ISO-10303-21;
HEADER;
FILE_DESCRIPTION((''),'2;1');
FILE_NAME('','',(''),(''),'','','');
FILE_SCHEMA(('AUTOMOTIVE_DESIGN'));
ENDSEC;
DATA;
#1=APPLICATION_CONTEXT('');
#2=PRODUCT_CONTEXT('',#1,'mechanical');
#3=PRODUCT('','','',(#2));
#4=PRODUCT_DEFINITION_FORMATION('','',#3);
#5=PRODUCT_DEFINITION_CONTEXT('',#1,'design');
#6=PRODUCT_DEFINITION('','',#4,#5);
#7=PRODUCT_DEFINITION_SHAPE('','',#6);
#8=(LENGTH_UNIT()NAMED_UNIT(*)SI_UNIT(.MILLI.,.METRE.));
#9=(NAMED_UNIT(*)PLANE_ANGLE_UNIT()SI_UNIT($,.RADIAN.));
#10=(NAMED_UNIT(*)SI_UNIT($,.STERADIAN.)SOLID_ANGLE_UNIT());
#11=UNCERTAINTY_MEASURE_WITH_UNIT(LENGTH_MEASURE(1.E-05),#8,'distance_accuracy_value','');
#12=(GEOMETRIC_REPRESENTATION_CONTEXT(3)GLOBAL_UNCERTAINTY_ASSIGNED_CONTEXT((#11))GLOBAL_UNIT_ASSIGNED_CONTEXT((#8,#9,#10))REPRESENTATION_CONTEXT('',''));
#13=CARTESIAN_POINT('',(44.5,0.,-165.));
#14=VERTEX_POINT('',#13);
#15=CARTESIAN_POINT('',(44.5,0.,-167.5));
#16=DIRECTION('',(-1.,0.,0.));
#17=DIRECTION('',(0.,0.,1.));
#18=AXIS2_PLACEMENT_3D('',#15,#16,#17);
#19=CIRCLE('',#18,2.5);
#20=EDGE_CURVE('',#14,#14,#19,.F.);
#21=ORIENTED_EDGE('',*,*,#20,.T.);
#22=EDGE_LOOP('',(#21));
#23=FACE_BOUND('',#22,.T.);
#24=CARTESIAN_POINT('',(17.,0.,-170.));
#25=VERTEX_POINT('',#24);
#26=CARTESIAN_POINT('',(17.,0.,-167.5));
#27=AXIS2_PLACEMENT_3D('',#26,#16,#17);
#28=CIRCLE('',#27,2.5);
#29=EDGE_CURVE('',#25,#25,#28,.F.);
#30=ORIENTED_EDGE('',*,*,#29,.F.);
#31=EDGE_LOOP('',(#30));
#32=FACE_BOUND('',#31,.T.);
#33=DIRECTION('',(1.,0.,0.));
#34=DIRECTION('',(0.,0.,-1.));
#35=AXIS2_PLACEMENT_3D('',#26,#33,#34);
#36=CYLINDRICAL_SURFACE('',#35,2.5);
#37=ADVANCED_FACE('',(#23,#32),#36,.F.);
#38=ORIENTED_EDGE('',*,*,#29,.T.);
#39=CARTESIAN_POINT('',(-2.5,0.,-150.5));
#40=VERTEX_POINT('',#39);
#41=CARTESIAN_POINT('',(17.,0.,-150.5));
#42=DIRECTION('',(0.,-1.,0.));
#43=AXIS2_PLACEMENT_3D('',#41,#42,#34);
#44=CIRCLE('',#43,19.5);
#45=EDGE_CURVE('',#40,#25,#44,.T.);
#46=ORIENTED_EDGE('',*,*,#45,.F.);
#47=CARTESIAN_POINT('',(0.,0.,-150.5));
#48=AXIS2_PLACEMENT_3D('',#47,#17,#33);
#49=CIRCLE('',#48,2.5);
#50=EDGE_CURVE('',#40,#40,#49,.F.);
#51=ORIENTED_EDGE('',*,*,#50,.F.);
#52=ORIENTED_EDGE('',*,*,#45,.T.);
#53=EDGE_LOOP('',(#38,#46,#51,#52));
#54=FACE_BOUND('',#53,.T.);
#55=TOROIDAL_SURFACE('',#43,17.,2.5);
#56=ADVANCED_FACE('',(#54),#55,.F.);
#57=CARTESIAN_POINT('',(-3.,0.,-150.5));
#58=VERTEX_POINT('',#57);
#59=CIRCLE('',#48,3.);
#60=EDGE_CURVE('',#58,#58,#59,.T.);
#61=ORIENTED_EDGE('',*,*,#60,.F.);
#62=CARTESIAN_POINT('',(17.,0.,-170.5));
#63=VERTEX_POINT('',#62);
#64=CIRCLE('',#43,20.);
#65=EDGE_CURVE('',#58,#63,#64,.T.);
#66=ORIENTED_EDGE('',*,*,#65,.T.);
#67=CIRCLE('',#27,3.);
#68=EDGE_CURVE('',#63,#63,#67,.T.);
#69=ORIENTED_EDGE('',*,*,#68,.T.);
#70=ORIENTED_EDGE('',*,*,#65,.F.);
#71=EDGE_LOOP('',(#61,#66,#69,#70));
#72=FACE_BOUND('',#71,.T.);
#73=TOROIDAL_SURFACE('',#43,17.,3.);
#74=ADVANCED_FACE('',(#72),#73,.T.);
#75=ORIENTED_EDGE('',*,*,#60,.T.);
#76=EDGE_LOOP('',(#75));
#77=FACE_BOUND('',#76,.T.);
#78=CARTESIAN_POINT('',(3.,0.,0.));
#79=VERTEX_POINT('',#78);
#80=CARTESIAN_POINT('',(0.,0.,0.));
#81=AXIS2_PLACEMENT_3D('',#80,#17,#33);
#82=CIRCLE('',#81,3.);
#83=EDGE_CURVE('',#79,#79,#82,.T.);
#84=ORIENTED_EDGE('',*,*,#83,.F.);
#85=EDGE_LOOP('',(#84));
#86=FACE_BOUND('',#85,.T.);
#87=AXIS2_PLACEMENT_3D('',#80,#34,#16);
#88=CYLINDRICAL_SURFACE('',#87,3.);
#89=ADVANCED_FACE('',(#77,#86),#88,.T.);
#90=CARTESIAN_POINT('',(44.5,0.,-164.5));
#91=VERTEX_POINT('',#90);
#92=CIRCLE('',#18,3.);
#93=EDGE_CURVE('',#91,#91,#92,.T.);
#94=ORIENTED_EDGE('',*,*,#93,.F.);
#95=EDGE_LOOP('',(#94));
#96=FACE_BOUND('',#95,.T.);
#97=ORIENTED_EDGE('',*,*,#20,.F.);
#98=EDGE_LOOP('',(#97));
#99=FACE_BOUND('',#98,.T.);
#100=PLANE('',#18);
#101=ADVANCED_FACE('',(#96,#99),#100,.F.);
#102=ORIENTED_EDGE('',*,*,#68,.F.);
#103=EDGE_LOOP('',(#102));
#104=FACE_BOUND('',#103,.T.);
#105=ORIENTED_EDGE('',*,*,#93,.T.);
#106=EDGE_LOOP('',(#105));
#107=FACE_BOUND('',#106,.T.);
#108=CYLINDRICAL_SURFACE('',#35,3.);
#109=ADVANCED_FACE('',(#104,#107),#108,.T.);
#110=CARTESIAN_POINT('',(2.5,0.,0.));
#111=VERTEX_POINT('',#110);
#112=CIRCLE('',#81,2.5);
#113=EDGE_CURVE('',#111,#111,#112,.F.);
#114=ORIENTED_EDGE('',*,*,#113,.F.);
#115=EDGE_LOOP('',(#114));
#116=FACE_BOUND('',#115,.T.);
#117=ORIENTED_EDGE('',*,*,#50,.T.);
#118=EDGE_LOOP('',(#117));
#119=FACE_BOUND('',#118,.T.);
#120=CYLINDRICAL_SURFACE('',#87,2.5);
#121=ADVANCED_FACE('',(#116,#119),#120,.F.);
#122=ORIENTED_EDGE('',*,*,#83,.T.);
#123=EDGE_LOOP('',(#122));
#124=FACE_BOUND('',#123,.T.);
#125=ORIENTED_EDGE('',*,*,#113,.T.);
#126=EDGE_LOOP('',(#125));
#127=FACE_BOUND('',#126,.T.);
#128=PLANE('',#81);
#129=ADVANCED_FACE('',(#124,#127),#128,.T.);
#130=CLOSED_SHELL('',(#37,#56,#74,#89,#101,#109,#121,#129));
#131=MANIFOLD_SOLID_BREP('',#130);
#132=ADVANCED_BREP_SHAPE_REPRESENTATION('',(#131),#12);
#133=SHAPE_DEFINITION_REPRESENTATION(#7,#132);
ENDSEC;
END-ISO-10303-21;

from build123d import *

# Parameters (mm, degrees)
SKETCH2_R   = 3
SKETCH2_R_2 = 2.5


with BuildPart() as part:
    # Sweep1: sweep along a path in Sketch1
    with BuildLine(Plane(origin=(0, 0, 0), x_dir=(1, 0, 0), z_dir=(0, 1, 0))) as sweep1_path:
        Line((0, 0), (0, 150.5))
        ThreePointArc((0, 150.5), (4.97918472, 162.52081528), (17, 167.5))
        Line((17, 167.5), (44.5, 167.5))
    # Sketch2 → Sweep1 (sweep)
    with BuildSketch(Plane.XY):
        Circle(SKETCH2_R)
        Circle(SKETCH2_R_2, mode=Mode.SUBTRACT)
    sweep(path=sweep1_path.line)


solid = part.part
